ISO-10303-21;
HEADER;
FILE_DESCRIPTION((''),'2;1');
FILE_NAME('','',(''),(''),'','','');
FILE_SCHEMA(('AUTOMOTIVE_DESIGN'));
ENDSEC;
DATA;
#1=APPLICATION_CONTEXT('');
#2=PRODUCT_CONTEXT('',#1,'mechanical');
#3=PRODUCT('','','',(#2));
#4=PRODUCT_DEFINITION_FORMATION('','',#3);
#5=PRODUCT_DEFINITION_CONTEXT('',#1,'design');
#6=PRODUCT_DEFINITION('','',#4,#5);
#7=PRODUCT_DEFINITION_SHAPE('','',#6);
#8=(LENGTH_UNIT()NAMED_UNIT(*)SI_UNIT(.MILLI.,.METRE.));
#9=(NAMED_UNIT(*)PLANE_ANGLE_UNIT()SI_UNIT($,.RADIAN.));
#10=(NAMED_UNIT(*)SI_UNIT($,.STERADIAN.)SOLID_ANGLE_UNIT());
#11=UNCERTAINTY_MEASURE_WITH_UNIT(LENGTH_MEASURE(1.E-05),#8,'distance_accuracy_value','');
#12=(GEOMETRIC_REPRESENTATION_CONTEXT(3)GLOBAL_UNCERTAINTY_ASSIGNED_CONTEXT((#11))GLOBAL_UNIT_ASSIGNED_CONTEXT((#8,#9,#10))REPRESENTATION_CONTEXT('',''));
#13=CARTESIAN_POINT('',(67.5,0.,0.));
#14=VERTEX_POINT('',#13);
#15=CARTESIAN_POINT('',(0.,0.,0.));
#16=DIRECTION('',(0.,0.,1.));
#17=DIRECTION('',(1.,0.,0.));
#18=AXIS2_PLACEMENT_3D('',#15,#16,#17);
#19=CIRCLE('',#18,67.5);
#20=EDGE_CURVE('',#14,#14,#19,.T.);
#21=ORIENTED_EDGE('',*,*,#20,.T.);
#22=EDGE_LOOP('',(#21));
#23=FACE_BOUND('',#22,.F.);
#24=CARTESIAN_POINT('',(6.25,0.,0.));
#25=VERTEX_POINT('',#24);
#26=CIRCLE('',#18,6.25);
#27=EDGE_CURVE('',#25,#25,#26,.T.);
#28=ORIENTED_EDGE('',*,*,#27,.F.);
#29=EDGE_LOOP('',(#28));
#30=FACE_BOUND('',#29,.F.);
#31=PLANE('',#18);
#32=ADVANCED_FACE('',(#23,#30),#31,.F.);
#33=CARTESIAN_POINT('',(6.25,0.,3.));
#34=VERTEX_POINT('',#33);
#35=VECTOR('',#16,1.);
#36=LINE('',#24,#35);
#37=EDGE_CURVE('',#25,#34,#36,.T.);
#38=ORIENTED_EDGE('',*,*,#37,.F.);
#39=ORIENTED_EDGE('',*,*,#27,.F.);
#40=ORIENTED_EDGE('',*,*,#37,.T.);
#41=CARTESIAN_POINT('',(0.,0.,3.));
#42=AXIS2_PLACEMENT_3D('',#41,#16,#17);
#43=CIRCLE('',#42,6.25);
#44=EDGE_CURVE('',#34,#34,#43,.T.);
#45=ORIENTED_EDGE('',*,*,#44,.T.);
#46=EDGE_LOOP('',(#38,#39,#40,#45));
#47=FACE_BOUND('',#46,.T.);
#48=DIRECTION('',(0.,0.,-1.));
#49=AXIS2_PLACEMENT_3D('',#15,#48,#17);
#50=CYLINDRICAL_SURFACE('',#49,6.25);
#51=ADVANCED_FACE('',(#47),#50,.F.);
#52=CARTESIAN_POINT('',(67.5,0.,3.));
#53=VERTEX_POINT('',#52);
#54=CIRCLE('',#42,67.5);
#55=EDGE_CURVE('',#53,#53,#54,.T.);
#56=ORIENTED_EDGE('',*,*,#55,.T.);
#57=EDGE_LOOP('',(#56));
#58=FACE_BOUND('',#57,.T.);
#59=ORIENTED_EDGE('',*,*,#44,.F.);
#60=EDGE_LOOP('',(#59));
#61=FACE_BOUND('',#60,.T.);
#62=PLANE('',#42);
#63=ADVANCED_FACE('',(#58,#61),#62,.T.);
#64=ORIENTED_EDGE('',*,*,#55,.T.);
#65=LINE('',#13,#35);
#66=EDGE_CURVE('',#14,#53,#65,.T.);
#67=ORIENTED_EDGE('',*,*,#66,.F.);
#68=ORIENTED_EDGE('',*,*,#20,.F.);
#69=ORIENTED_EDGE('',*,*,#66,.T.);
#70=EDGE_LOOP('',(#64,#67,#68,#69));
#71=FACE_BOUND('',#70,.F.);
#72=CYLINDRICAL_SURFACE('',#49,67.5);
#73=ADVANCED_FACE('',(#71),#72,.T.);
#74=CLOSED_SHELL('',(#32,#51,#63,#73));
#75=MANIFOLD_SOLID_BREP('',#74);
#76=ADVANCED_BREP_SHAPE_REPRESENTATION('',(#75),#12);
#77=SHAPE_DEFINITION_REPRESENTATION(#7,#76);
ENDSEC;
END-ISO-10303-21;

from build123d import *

# Parameters (mm, degrees)
SKETCH_R   = 67.5
SKETCH_R_2 = 6.25
PAD_DEPTH  = 3


with BuildPart() as part:
    # Sketch → Pad (new body)
    with BuildSketch(Plane.XY):
        Circle(SKETCH_R)
        Circle(SKETCH_R_2, mode=Mode.SUBTRACT)
    extrude(amount=PAD_DEPTH)


solid = part.part
